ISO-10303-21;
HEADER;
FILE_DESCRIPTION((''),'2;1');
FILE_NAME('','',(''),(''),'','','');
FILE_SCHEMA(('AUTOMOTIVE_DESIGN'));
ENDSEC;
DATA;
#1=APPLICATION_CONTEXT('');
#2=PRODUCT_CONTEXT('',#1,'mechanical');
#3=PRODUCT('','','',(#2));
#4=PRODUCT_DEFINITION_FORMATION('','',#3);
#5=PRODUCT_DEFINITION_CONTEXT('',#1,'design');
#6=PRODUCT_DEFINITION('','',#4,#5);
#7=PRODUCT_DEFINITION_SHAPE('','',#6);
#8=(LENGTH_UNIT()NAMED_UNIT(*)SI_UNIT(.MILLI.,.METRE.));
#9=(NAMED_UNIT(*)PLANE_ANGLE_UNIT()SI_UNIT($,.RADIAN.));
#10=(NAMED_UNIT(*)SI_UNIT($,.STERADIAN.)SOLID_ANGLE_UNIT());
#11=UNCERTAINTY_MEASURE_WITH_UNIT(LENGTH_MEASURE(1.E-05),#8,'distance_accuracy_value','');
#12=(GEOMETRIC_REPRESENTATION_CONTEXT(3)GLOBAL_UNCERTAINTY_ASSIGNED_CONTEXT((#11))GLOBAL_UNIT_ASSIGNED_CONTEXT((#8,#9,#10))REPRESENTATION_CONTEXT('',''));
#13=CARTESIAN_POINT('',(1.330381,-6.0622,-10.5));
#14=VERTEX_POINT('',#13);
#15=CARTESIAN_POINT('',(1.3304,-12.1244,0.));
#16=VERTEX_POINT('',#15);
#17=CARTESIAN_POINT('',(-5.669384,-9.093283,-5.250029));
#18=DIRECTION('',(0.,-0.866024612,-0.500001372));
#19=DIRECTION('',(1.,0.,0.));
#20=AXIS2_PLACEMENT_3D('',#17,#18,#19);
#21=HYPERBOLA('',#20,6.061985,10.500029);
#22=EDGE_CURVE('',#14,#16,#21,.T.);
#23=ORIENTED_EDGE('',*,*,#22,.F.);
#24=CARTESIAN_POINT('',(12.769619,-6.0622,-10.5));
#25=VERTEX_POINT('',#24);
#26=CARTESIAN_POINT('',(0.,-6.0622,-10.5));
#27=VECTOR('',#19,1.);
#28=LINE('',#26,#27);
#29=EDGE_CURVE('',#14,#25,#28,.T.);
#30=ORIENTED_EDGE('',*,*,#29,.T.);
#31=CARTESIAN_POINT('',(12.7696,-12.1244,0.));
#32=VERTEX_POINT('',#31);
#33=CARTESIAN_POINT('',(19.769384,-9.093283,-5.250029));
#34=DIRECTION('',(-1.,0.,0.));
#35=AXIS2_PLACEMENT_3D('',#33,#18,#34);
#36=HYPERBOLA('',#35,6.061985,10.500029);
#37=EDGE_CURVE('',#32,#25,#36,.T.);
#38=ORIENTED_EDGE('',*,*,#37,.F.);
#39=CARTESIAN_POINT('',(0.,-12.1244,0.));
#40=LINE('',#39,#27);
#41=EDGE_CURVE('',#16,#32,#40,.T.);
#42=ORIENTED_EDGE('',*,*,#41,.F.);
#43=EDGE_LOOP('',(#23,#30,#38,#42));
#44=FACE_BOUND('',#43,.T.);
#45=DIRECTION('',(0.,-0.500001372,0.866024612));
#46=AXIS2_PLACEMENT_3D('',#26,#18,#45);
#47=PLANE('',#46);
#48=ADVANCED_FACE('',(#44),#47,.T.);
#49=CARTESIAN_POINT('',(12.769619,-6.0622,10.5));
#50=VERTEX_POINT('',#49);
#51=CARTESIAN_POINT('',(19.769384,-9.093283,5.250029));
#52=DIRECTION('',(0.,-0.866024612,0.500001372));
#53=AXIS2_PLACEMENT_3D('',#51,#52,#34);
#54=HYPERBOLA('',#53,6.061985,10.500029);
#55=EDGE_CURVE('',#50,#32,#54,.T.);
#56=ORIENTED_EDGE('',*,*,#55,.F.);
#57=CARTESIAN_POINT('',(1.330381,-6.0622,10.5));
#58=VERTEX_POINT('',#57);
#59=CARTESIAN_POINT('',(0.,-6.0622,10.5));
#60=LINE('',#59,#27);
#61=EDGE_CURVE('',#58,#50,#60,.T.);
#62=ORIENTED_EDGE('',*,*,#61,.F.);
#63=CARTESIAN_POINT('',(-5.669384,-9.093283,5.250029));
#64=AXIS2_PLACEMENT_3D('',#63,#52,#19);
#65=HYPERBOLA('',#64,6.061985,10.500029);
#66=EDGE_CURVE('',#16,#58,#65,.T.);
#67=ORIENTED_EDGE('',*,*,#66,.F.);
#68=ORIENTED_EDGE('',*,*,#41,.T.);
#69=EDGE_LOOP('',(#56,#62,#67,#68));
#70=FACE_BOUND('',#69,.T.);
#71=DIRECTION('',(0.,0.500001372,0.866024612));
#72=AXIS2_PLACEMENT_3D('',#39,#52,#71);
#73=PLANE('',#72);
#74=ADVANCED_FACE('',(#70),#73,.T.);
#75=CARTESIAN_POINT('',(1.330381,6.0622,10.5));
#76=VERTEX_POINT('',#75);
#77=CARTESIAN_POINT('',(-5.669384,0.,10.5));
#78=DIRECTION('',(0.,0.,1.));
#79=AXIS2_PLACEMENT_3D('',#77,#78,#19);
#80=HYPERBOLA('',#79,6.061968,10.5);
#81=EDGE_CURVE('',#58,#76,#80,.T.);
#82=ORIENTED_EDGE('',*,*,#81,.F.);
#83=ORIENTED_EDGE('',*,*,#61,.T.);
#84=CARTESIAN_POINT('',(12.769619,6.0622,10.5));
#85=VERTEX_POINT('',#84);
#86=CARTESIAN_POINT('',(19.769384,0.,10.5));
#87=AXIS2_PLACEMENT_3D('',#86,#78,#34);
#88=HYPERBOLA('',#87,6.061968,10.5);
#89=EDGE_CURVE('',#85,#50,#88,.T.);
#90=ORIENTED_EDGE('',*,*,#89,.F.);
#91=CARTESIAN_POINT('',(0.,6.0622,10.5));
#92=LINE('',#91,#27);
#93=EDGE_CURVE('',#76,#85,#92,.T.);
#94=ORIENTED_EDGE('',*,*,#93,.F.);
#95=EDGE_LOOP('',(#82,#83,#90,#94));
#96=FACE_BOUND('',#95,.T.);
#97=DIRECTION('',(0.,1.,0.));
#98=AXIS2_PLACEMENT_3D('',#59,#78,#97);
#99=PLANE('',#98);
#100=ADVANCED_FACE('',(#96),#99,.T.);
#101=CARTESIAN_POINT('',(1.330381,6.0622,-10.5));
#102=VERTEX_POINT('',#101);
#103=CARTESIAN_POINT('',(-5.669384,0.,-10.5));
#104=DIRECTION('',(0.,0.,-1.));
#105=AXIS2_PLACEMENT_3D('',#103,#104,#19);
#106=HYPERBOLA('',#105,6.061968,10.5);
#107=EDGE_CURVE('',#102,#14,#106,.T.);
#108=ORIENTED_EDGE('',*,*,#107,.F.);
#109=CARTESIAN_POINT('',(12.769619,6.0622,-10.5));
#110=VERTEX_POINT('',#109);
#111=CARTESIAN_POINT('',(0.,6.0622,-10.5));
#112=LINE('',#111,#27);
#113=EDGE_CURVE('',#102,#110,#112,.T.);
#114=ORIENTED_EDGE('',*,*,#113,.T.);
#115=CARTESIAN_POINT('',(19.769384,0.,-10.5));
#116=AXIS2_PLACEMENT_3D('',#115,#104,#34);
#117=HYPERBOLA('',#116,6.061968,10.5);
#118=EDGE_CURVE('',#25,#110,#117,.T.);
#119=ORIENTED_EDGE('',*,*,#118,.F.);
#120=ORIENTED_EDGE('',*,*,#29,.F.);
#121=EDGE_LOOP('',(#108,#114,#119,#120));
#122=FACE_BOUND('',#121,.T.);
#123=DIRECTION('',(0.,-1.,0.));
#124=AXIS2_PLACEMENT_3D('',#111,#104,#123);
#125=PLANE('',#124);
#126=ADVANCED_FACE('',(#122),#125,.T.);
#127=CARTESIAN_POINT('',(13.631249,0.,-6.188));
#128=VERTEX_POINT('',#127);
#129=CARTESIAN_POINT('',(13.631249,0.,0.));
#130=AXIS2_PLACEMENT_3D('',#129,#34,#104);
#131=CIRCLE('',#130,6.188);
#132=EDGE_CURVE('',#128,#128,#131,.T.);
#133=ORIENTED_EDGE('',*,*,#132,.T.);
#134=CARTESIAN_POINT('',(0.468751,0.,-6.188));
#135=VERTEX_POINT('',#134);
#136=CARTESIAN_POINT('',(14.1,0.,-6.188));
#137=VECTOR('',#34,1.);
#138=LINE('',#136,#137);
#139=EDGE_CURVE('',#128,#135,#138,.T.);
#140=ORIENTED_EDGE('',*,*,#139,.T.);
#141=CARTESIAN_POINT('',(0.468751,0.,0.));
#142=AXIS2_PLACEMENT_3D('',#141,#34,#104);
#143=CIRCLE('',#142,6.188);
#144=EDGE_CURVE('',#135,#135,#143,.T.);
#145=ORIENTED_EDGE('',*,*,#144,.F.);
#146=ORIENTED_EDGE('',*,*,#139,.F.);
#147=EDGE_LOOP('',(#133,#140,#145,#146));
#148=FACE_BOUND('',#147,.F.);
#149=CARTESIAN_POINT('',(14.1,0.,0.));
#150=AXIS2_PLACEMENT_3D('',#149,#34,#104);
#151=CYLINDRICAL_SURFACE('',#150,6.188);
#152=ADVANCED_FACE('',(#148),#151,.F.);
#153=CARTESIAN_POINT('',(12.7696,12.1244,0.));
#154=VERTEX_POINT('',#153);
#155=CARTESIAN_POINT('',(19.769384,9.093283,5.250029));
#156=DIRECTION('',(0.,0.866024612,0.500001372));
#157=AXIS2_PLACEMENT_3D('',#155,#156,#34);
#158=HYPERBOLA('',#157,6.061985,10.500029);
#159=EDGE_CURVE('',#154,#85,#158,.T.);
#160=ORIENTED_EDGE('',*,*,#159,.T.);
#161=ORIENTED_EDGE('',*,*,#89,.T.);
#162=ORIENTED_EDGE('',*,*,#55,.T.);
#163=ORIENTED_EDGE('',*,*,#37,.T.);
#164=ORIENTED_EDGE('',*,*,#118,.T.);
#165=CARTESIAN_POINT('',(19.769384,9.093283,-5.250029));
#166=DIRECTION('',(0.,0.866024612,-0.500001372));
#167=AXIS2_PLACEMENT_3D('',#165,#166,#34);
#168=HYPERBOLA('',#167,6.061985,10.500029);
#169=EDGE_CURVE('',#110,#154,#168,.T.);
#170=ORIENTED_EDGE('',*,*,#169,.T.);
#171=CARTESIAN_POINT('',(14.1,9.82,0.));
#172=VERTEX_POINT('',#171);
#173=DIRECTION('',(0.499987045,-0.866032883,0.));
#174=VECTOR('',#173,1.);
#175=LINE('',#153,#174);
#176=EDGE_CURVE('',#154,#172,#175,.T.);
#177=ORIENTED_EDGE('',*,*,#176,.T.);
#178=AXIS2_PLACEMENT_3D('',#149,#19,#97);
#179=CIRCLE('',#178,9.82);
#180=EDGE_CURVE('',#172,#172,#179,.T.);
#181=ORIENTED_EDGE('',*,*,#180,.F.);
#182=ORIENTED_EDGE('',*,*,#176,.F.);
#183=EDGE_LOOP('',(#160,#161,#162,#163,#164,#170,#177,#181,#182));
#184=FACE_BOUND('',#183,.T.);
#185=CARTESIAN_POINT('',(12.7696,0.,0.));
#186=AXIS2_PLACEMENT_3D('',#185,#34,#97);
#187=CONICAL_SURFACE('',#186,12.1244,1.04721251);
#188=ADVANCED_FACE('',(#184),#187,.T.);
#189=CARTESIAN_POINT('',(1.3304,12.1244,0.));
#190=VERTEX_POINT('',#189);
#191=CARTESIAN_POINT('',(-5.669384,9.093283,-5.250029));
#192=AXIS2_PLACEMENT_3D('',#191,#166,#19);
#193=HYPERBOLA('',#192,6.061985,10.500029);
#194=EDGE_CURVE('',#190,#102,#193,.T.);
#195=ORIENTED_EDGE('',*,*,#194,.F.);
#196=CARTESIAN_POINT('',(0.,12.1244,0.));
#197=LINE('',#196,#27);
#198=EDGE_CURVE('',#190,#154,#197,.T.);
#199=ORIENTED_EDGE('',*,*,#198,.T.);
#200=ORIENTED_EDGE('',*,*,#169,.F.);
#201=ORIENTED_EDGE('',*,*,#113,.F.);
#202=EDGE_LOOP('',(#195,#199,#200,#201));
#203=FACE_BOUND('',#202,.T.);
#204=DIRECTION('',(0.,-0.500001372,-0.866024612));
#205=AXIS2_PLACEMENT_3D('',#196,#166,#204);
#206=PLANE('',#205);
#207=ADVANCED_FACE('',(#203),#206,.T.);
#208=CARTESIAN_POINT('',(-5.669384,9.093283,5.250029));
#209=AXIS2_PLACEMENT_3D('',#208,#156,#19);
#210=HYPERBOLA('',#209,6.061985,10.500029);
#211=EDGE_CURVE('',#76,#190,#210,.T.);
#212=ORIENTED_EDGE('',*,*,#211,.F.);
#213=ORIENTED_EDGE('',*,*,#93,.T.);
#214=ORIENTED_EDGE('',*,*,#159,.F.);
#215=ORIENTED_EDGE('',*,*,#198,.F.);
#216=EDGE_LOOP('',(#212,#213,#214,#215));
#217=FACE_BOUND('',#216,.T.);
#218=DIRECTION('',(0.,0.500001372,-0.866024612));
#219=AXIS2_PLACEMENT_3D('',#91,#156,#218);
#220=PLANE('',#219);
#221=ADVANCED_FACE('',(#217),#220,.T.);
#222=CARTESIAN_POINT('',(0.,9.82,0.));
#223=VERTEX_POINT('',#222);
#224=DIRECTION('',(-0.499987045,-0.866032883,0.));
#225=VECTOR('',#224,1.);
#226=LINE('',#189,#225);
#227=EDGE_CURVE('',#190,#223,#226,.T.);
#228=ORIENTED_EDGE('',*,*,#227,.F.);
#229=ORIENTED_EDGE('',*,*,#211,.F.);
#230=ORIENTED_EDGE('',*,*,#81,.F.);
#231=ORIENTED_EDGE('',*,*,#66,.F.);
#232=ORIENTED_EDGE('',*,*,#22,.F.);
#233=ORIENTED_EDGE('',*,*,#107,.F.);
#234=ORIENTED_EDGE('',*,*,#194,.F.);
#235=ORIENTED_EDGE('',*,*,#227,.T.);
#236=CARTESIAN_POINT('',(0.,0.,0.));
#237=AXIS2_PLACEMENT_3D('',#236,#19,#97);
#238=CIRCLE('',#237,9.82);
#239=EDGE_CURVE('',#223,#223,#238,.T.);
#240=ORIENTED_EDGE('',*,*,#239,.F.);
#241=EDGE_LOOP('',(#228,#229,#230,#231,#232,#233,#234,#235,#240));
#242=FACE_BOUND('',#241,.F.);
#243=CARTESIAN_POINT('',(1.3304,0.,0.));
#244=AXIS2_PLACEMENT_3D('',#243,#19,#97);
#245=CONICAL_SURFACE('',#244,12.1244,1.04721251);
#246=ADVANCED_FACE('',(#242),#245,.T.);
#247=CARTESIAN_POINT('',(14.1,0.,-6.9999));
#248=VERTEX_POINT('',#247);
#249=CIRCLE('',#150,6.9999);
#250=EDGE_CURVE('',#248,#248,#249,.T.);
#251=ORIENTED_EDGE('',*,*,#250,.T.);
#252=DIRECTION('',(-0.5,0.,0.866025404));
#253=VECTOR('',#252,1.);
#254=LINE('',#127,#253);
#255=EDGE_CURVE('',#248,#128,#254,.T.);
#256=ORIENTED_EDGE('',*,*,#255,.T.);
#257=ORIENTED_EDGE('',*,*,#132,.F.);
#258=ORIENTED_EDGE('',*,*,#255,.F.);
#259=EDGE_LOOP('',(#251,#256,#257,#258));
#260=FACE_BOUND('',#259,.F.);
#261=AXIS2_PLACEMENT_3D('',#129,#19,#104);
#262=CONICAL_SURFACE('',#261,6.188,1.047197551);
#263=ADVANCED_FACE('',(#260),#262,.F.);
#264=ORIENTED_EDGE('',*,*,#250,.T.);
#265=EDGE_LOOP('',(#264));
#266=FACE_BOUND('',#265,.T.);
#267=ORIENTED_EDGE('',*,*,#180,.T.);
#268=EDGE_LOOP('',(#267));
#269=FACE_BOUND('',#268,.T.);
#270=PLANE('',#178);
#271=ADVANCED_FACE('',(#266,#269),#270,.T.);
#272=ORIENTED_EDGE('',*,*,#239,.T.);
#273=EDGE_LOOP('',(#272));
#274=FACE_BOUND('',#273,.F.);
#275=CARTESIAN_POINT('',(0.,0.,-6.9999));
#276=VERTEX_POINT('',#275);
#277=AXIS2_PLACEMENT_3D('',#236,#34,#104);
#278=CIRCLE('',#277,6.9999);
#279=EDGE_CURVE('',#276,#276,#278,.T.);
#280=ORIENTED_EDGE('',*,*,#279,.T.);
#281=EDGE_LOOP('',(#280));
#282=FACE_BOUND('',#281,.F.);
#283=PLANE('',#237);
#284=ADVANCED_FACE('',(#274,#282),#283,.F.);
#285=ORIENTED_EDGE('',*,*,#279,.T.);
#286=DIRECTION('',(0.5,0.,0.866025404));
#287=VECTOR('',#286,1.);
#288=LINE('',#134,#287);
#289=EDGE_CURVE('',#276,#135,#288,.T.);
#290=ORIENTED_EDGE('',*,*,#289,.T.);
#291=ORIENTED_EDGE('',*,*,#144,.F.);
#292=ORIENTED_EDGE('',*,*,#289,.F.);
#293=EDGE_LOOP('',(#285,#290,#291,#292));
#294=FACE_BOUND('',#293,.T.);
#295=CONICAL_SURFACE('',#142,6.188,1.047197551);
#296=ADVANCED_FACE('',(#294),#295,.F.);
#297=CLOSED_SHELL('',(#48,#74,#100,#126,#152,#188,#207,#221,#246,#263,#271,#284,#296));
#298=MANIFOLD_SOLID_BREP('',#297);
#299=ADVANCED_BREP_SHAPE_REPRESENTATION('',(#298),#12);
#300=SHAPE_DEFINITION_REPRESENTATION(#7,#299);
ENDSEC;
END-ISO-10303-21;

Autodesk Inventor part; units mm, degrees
ref_plane "YZ Plane" through (0, 0, 0) normal (1, 0, 0) x (0, 1, 0)
ref_plane "XZ Plane" through (0, 0, 0) normal (0, 1, 0) x (-1, 0, 0)
sketch "Sketch1" plane through (0, 0, 0) normal (1, 0, 0) x (0, 1, 0)
  line L0 (-12.1244, 0) -> (-6.0622, 10.5)
  line L1 (-6.0622, 10.5) -> (6.0622, 10.5)
  line L2 (6.0622, 10.5) -> (12.1244, 0)
  line L3 (12.1244, 0) -> (6.0622, -10.5)
  line L4 (6.0622, -10.5) -> (-6.0622, -10.5)
  line L5 (-6.0622, -10.5) -> (-12.1244, 0)
  point P0 (0, 0)
  point P1 (0, 0)
  dimension "d0" = 24.2487
extrude "Body" add sketch "Sketch1" along normal blind 14.1
sketch "Sketch2" plane through (0, 0, 0) normal (0, 0, 1) x (1, 0, 0)
  line L0 (0, 6.0622) -> (0, 12.1244) projected
  line L1 (0, 12.1244) -> (14.1, 12.1244) projected
  line L2 (14.1, 6.0622) -> (14.1, 12.1244) projected
  line L3 (-2.82, 0) -> (16.92, 0) projected
  line L4 (1.3304, 12.1244) -> (0, 9.82)
  line L5 (12.7696, 12.1244) -> (14.1, 9.82)
  dimension "d3" = 30
  dimension "d4" = 30
  dimension "d5" = 19.64
  dimension "d6" = 19.64
revolve "Chamfer1" cut sketch "Sketch2" angle 360 about axis through (-10, 0, 0) along (1, 0, 0)
sketch "Sketch3" plane through (14.1, 0, 0) normal (1, 0, 0) x (0, 0, -1)
  arc A0 (-0.625, -1.0825) -> (0.625, -1.0825) centre (0, 0) ccw projected
hole "Thread" at (14.1, 0, 0) direction (-1, 0, 0) diameter 12.376 end through all thread size "M14x1.5" class "6H" standard "ISO Metric profile"
chamfer "Chamfer2" distance 0.8119 angle 30 1 edges at (14.1, 0, 6.188) measured on face at (14.1, 8.4992, -1.032)
chamfer "Chamfer3" distance 0.8119 angle 30 1 edges at (0, 0, 6.188) measured on face at (0, 8.4992, -1.032)
ref_plane "Work Plane1" through (-21.2861, 0, 0) normal (0, -0.866, -0.5) x (1, 0, 0)
equation "\"d0\" = 1.1547 * SW"
equation "\"d1\" = KOH"
equation "\"d3\" = ANG1"
equation "\"d4\" = ANG2"
equation "\"d5\" = SW0"
equation "\"d6\" = SW01"
equation "\"d8\" = -0.5 * GD1 + 0.5 * NND"
equation "\"d40\" = -0.5 * GD1 + 0.5 * NND"
equation "\"d10\" = -0.5 * GD1 + 0.5 * NND"
equation "\"d41\" = -0.5 * GD1 + 0.5 * NND"
equation "\"ANG1\" = 30deg"
equation "\"ANG2\" = 30deg"
equation "\"NND\" = 14"
equation "\"KOH\" = 14.1"
equation "\"SW\" = 21"
equation "\"SW0\" = 19.64"
equation "\"SW01\" = SW0"
equation "\"GUL\" = 0.541266 * PTC"
equation "\"THREADDIA\" = 14"
equation "\"TOA\" = 30deg"
equation "\"PTC\" = 1.5"
equation "\"E0\" = 23.36"
equation "\"GAL\" = 0.541266 * PTC"
equation "\"KOH1\" = 10.72"
equation "\"GD1\" = 12.376202"
properties part number "ISO 8674 - M14 x 1.5" material "Steel"
